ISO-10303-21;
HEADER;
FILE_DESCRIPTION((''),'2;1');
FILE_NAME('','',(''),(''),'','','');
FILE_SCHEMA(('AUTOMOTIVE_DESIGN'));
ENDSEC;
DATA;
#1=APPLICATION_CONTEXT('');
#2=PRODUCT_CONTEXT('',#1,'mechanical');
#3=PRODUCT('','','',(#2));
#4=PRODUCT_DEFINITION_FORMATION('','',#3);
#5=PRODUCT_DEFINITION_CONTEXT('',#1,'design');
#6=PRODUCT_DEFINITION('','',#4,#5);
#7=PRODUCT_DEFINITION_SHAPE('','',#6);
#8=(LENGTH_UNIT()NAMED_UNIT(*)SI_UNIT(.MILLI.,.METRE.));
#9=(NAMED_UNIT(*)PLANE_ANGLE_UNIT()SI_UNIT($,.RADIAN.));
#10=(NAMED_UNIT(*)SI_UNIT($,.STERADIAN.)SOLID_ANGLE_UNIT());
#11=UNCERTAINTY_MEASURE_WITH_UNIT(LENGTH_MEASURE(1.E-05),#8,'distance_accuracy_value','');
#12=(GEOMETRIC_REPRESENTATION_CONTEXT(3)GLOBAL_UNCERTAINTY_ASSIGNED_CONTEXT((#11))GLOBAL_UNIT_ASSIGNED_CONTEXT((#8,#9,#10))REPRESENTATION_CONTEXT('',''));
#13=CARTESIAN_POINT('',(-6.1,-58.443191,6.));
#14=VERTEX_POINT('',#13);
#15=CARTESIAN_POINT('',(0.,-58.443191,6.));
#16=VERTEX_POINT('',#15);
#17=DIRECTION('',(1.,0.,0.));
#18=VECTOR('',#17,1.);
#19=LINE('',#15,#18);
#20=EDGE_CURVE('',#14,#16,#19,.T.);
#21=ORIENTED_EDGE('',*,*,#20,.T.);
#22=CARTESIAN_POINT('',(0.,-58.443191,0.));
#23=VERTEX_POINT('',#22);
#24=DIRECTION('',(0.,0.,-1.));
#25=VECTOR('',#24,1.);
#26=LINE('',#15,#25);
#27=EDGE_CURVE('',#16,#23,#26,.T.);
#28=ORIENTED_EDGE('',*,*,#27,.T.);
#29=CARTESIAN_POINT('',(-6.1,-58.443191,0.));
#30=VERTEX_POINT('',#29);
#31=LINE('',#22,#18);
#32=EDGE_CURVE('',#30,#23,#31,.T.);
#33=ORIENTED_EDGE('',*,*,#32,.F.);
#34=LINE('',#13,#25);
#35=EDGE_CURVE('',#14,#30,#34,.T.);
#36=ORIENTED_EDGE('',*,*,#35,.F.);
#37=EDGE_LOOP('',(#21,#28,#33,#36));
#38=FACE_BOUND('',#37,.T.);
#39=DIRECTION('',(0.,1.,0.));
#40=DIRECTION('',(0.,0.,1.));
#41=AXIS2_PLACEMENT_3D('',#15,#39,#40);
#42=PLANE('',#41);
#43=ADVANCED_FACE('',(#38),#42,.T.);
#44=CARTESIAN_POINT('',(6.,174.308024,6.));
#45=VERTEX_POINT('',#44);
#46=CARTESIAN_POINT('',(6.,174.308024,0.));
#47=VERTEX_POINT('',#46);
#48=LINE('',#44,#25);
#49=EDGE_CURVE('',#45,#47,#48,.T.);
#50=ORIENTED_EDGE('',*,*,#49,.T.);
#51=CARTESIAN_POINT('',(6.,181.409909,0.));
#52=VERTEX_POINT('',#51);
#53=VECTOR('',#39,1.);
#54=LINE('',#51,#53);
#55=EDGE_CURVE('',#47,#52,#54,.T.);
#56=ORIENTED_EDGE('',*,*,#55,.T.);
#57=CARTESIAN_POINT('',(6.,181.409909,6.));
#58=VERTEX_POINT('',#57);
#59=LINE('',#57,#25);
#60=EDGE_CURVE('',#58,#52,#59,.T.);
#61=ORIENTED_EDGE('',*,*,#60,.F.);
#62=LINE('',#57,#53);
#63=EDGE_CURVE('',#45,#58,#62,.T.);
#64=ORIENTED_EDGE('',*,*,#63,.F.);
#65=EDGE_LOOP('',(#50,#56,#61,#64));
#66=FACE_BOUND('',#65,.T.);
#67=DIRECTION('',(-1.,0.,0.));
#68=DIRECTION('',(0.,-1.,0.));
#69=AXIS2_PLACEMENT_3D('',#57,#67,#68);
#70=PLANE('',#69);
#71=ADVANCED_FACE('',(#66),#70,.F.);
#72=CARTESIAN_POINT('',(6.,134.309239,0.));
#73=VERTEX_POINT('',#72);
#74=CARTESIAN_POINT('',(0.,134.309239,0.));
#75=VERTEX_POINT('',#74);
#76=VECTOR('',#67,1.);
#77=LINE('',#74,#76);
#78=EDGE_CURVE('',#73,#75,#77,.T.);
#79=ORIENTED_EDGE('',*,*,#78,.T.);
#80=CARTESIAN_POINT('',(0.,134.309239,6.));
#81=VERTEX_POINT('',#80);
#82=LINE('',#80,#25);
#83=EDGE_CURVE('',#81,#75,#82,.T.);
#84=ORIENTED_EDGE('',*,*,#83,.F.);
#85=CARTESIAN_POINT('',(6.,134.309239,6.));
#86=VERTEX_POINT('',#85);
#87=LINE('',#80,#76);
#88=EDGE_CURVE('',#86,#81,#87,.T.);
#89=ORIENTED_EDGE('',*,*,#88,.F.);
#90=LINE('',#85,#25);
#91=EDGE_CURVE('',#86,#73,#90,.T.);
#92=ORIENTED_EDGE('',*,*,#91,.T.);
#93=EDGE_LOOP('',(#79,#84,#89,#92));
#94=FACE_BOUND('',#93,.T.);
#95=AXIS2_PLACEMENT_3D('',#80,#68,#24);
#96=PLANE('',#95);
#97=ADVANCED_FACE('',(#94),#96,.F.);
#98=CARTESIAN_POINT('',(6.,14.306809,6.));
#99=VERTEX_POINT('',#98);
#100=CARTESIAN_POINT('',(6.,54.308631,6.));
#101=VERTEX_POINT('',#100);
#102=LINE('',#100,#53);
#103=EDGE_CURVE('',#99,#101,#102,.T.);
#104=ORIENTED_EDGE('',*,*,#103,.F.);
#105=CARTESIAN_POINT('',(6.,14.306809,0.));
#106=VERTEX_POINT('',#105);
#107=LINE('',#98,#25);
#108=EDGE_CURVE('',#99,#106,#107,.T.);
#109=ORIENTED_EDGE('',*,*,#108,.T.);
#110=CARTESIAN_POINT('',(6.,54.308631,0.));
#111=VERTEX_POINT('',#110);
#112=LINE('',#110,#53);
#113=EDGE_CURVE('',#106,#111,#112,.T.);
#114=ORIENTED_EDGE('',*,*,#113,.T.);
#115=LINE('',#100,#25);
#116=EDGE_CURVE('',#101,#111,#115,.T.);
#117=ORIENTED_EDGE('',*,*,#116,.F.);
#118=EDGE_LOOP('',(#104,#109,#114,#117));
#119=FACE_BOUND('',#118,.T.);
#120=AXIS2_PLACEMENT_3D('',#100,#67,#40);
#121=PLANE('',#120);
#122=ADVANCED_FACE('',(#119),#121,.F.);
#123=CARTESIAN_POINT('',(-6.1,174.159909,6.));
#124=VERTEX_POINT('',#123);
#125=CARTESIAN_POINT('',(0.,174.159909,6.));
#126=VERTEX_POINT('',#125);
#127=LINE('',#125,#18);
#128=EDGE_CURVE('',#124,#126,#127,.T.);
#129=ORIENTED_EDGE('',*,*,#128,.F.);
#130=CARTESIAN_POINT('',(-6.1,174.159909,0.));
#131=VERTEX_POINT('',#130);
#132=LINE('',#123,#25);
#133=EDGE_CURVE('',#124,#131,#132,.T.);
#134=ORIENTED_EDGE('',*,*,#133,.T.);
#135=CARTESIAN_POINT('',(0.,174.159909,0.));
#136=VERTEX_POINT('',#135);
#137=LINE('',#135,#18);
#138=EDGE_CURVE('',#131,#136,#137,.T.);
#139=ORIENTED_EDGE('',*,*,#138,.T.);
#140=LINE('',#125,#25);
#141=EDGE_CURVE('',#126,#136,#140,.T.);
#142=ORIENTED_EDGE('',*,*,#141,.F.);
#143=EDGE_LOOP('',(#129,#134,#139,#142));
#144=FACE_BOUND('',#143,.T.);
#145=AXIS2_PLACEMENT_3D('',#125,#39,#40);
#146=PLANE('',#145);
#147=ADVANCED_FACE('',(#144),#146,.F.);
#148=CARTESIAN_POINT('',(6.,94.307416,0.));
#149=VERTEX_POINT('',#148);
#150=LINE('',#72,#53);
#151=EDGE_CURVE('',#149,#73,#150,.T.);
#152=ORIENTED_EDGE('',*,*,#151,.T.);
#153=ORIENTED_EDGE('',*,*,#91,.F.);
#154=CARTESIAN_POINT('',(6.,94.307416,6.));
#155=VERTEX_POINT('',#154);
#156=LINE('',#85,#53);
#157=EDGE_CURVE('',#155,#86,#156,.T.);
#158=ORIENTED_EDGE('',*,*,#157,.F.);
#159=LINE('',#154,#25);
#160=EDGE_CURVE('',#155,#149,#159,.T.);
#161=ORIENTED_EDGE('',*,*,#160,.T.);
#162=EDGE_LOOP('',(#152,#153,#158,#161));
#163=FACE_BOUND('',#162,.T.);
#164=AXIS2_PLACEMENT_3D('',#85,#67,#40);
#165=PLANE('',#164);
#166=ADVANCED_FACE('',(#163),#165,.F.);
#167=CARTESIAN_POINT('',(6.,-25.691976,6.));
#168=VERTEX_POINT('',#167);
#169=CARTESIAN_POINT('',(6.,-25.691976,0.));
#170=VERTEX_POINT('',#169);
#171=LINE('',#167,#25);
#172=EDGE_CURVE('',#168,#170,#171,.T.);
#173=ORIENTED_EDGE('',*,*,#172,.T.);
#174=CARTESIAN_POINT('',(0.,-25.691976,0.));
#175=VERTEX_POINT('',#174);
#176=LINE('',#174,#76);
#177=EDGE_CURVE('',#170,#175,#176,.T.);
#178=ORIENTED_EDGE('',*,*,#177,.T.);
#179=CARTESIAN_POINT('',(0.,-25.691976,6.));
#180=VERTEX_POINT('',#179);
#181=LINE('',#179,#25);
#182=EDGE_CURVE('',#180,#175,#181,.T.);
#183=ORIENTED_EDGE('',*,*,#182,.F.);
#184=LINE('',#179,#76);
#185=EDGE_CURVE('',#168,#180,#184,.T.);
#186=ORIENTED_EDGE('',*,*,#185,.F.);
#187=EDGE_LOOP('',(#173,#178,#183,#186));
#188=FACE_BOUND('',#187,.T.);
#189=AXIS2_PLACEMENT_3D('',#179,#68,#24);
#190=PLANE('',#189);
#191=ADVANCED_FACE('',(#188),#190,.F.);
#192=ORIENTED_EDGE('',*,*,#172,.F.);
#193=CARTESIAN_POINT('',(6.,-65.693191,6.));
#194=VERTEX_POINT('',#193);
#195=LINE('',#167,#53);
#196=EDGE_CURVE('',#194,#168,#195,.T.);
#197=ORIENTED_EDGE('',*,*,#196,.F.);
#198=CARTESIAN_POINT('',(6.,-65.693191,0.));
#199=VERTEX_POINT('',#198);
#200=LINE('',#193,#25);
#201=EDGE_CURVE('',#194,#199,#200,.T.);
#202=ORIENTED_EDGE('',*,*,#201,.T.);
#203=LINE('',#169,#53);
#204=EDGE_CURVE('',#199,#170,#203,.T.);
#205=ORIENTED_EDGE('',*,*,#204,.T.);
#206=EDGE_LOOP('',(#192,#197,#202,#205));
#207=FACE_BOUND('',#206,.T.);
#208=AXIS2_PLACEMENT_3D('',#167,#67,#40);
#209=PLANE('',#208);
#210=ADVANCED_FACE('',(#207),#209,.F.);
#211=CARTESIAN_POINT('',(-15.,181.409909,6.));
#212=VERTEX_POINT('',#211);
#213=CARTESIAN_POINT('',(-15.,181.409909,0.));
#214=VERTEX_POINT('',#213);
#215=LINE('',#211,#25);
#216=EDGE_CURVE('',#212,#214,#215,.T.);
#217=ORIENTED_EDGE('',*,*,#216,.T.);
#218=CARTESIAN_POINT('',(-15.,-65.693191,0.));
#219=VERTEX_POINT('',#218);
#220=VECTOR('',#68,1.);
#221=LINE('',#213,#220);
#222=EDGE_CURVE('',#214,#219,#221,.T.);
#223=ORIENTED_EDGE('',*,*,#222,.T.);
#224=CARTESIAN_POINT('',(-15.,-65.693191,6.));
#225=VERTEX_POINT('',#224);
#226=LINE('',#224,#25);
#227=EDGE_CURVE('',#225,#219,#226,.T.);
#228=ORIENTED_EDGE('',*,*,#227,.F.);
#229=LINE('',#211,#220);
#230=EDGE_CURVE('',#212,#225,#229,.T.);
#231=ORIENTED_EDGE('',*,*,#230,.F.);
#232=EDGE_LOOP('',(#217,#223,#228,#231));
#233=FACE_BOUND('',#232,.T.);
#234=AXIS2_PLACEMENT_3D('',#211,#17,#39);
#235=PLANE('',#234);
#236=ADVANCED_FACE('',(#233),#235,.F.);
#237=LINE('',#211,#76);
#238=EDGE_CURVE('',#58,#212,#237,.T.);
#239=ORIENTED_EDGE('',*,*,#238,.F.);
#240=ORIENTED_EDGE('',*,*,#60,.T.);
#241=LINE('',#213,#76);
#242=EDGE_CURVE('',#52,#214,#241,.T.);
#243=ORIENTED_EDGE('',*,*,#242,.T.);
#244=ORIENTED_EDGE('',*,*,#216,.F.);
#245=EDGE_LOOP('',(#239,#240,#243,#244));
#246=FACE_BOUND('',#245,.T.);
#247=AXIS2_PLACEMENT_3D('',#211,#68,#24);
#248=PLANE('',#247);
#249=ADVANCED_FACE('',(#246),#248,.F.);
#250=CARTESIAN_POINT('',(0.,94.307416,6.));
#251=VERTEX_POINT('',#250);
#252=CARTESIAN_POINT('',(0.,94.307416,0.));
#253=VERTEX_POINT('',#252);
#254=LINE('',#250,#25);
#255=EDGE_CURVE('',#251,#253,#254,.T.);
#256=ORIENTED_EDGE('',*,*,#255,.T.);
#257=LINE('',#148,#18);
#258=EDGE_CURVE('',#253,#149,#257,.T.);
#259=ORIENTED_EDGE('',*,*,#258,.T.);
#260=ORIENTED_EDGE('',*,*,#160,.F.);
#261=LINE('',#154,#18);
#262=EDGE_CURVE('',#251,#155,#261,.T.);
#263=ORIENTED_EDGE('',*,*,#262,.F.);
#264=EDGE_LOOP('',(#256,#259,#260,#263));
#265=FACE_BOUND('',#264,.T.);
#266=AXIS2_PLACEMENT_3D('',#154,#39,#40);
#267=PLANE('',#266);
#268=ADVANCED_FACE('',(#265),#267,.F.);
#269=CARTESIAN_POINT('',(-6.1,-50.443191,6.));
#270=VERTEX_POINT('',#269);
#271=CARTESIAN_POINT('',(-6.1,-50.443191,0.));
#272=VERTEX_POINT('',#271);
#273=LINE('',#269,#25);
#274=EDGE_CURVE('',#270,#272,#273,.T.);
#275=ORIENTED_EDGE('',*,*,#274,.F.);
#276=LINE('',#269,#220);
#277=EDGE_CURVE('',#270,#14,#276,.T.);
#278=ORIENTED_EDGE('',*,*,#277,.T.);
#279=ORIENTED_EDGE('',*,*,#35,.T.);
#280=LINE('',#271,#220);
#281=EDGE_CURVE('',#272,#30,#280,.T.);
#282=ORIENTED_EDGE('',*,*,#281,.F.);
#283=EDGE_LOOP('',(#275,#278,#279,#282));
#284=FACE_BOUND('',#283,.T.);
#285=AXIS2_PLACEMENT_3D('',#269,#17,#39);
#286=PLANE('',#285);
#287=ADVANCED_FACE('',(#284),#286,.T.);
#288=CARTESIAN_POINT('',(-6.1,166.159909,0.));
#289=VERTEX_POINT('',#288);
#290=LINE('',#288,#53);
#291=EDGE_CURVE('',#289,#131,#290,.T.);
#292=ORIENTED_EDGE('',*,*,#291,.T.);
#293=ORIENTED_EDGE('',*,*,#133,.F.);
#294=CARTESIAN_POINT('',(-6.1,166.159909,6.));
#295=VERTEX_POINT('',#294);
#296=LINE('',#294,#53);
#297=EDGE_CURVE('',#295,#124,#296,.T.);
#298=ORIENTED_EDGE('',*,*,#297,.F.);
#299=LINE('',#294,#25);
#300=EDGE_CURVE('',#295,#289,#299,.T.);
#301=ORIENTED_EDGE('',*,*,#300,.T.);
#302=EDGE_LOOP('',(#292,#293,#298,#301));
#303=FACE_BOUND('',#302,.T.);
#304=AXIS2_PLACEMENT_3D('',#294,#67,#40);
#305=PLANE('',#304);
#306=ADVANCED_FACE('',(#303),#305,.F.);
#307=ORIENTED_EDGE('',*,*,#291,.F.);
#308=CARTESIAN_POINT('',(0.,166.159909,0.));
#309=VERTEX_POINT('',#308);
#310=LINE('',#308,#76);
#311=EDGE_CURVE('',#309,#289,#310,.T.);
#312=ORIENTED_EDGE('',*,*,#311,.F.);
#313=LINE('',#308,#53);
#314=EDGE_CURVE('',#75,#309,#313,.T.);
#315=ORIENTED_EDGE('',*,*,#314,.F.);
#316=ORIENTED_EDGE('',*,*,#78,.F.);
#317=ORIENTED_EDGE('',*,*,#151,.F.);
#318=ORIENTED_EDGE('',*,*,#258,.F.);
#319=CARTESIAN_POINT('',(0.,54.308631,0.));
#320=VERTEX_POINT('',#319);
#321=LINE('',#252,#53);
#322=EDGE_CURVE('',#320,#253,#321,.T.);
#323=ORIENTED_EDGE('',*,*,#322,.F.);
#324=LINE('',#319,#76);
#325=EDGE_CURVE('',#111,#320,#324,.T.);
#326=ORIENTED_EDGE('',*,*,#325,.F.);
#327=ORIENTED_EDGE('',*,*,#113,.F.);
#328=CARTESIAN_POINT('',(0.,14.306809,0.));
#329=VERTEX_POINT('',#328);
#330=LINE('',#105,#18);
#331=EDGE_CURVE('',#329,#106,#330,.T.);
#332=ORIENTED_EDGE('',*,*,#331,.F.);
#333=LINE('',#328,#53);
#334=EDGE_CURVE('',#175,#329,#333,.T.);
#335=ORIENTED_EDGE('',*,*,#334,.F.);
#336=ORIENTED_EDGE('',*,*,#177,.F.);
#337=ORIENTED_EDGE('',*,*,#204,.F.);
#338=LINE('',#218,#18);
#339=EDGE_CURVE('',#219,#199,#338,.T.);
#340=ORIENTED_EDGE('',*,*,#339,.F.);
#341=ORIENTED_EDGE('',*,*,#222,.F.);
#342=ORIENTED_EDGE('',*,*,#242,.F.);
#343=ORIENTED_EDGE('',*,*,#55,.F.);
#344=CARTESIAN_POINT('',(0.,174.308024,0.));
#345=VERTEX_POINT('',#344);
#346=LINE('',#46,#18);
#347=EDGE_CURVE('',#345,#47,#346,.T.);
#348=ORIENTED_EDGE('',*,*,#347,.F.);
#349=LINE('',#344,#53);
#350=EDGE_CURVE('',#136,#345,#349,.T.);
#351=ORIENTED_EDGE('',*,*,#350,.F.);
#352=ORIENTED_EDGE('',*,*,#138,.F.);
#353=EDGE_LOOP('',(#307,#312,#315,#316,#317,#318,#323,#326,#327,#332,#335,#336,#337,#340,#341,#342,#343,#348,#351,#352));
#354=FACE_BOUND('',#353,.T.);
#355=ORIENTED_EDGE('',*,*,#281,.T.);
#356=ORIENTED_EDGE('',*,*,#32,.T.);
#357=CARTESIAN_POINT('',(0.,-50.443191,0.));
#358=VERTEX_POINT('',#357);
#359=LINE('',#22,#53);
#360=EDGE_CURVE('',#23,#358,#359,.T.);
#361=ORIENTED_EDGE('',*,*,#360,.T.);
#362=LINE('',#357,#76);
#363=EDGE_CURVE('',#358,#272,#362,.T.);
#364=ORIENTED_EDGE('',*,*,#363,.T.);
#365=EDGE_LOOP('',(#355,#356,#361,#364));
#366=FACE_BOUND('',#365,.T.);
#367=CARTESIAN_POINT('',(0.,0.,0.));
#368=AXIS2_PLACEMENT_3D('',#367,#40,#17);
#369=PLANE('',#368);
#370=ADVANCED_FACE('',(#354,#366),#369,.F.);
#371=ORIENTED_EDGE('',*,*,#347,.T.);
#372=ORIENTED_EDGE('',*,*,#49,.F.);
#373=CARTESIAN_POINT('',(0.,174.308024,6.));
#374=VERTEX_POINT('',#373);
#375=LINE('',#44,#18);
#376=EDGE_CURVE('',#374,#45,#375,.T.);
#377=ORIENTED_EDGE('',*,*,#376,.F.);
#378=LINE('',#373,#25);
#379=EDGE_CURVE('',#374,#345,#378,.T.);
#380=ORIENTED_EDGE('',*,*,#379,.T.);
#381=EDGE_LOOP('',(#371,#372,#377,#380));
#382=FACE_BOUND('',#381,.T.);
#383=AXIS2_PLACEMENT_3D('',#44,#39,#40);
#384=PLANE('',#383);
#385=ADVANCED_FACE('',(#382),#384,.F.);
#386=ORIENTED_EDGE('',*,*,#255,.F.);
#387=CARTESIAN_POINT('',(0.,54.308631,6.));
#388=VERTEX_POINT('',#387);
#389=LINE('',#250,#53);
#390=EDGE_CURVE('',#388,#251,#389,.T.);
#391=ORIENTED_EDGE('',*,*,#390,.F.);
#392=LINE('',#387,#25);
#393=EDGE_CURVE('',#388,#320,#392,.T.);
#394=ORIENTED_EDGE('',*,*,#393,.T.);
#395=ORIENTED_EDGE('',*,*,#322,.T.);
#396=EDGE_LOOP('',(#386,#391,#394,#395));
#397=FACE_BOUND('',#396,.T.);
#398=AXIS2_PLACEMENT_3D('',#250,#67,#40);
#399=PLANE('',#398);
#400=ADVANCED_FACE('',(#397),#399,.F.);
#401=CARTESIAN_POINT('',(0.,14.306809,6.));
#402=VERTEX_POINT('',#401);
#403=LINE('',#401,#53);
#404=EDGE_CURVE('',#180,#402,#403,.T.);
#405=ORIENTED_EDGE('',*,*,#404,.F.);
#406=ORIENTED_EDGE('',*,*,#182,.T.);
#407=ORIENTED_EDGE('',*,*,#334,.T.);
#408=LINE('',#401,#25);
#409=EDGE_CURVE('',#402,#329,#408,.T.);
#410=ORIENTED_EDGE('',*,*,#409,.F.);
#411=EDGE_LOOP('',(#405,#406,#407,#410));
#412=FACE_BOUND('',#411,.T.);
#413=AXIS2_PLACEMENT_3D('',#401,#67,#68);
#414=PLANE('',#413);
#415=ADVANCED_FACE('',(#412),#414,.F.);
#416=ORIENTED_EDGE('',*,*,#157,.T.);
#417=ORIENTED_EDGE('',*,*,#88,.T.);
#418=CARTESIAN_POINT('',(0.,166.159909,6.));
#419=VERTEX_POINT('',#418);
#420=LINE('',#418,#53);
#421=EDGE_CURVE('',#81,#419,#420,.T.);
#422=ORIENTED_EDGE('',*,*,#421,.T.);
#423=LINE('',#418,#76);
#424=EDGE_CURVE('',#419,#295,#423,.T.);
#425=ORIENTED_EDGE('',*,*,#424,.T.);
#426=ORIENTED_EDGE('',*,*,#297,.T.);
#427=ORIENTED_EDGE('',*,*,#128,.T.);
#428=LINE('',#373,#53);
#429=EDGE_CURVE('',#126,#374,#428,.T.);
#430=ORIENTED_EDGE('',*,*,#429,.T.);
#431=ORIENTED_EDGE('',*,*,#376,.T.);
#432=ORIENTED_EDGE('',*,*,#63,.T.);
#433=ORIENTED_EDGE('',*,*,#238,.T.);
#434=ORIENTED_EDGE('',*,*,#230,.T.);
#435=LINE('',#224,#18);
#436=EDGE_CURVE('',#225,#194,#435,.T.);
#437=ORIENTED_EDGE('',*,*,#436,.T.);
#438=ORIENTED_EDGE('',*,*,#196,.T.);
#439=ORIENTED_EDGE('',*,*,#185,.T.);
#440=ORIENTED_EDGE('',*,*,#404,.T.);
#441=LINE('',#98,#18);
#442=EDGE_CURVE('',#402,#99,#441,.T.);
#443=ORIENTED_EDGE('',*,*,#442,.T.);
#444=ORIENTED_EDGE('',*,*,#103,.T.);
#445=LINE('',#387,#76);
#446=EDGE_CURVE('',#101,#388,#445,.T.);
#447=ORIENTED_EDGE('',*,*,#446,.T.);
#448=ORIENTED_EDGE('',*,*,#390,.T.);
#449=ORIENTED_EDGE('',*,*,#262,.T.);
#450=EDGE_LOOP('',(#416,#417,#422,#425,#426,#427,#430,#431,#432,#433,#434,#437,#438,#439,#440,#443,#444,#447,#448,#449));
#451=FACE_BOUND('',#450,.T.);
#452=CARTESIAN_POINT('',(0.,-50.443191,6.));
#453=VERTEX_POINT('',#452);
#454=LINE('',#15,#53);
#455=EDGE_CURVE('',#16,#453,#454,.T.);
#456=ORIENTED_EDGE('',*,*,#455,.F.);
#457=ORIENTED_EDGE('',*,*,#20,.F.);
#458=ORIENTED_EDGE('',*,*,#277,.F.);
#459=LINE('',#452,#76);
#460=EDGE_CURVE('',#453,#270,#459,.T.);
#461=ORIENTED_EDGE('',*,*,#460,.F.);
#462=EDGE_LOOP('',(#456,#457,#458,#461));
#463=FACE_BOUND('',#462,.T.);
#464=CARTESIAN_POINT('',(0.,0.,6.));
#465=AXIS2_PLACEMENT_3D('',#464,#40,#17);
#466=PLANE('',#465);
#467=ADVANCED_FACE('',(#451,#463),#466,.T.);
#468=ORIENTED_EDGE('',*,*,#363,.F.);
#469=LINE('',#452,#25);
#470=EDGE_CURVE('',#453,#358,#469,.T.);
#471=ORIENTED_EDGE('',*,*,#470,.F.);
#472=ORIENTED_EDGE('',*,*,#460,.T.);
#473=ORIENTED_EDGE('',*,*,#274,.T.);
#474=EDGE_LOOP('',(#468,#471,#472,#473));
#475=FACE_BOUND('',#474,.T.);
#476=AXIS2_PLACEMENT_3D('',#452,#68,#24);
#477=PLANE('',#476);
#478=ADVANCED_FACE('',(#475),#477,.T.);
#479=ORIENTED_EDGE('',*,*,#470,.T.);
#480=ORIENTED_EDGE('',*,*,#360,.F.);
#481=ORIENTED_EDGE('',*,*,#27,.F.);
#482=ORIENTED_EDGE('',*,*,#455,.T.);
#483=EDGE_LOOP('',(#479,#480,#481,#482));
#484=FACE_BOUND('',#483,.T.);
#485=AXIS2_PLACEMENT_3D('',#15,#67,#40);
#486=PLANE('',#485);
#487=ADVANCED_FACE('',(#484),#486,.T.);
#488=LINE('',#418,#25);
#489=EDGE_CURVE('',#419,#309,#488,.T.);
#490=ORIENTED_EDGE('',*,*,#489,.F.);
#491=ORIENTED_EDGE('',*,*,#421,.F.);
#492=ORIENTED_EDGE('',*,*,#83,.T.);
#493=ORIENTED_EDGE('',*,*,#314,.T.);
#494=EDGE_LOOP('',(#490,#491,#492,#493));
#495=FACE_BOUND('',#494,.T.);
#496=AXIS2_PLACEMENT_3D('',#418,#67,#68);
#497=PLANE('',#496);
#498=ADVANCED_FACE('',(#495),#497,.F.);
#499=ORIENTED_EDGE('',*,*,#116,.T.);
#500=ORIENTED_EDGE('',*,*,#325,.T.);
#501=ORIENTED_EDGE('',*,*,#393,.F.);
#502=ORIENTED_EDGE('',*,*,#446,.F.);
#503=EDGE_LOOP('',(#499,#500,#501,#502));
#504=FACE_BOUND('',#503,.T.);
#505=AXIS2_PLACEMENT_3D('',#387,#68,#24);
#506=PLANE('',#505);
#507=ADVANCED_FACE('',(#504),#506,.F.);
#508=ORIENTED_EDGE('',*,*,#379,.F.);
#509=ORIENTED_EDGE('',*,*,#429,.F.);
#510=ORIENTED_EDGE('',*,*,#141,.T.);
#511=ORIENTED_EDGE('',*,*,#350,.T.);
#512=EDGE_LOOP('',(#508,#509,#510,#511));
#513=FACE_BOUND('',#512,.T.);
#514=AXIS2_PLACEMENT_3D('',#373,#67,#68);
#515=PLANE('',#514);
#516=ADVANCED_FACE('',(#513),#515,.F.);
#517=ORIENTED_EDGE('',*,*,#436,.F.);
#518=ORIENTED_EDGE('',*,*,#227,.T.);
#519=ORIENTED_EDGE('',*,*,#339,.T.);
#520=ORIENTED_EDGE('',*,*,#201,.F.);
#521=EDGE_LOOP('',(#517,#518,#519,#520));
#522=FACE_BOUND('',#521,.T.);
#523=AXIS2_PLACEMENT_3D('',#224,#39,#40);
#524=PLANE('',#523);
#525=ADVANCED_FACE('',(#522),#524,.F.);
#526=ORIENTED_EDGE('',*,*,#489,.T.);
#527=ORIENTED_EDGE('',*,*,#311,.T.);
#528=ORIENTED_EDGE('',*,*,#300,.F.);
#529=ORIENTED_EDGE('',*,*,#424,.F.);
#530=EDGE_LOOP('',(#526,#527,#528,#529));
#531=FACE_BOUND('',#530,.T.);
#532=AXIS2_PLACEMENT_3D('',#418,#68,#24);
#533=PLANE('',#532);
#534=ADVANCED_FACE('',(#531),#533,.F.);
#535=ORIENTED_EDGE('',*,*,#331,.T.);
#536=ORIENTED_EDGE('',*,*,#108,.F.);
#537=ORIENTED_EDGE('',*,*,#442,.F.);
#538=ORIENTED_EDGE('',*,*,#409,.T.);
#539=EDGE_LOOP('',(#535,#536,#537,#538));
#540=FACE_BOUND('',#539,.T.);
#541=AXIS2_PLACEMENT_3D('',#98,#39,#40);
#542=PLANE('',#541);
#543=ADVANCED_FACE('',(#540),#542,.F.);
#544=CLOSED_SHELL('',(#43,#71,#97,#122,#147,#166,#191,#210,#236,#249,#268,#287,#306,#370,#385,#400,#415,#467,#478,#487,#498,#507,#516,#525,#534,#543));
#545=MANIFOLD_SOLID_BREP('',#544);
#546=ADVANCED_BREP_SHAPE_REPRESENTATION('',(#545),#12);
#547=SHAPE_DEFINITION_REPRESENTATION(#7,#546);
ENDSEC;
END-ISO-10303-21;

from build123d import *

# Parameters (mm, degrees)
ESQUISSE1_W        = 6.1
ESQUISSE1_H        = 8
BOSS_EXTRU_1_DEPTH = 6


with BuildPart() as part:
    # Esquisse1 → Boss.-Extru.1 (new body)
    with BuildSketch(Plane.XY):
        Polygon((-15, 181.409908735), (6, 181.409908735), (6, 174.308023863), (0, 174.308023863), (0, 174.159908735), (-6.1, 174.159908735), (-6.1, 166.159908735), (0, 166.159908735), (0, 134.309238722), (6, 134.309238722), (6, 94.307416433), (0, 94.307416433), (0, 54.308631292), (6, 54.308631292), (6, 14.306809003), (0, 14.306809003), (0, -25.691976137), (6, -25.691976137), (6, -65.693190997), (-15, -65.693190997), align=None)
        with Locations((-3.05, -54.443190997)):
            Rectangle(ESQUISSE1_W, ESQUISSE1_H, mode=Mode.SUBTRACT)
    extrude(amount=BOSS_EXTRU_1_DEPTH)


solid = part.part
